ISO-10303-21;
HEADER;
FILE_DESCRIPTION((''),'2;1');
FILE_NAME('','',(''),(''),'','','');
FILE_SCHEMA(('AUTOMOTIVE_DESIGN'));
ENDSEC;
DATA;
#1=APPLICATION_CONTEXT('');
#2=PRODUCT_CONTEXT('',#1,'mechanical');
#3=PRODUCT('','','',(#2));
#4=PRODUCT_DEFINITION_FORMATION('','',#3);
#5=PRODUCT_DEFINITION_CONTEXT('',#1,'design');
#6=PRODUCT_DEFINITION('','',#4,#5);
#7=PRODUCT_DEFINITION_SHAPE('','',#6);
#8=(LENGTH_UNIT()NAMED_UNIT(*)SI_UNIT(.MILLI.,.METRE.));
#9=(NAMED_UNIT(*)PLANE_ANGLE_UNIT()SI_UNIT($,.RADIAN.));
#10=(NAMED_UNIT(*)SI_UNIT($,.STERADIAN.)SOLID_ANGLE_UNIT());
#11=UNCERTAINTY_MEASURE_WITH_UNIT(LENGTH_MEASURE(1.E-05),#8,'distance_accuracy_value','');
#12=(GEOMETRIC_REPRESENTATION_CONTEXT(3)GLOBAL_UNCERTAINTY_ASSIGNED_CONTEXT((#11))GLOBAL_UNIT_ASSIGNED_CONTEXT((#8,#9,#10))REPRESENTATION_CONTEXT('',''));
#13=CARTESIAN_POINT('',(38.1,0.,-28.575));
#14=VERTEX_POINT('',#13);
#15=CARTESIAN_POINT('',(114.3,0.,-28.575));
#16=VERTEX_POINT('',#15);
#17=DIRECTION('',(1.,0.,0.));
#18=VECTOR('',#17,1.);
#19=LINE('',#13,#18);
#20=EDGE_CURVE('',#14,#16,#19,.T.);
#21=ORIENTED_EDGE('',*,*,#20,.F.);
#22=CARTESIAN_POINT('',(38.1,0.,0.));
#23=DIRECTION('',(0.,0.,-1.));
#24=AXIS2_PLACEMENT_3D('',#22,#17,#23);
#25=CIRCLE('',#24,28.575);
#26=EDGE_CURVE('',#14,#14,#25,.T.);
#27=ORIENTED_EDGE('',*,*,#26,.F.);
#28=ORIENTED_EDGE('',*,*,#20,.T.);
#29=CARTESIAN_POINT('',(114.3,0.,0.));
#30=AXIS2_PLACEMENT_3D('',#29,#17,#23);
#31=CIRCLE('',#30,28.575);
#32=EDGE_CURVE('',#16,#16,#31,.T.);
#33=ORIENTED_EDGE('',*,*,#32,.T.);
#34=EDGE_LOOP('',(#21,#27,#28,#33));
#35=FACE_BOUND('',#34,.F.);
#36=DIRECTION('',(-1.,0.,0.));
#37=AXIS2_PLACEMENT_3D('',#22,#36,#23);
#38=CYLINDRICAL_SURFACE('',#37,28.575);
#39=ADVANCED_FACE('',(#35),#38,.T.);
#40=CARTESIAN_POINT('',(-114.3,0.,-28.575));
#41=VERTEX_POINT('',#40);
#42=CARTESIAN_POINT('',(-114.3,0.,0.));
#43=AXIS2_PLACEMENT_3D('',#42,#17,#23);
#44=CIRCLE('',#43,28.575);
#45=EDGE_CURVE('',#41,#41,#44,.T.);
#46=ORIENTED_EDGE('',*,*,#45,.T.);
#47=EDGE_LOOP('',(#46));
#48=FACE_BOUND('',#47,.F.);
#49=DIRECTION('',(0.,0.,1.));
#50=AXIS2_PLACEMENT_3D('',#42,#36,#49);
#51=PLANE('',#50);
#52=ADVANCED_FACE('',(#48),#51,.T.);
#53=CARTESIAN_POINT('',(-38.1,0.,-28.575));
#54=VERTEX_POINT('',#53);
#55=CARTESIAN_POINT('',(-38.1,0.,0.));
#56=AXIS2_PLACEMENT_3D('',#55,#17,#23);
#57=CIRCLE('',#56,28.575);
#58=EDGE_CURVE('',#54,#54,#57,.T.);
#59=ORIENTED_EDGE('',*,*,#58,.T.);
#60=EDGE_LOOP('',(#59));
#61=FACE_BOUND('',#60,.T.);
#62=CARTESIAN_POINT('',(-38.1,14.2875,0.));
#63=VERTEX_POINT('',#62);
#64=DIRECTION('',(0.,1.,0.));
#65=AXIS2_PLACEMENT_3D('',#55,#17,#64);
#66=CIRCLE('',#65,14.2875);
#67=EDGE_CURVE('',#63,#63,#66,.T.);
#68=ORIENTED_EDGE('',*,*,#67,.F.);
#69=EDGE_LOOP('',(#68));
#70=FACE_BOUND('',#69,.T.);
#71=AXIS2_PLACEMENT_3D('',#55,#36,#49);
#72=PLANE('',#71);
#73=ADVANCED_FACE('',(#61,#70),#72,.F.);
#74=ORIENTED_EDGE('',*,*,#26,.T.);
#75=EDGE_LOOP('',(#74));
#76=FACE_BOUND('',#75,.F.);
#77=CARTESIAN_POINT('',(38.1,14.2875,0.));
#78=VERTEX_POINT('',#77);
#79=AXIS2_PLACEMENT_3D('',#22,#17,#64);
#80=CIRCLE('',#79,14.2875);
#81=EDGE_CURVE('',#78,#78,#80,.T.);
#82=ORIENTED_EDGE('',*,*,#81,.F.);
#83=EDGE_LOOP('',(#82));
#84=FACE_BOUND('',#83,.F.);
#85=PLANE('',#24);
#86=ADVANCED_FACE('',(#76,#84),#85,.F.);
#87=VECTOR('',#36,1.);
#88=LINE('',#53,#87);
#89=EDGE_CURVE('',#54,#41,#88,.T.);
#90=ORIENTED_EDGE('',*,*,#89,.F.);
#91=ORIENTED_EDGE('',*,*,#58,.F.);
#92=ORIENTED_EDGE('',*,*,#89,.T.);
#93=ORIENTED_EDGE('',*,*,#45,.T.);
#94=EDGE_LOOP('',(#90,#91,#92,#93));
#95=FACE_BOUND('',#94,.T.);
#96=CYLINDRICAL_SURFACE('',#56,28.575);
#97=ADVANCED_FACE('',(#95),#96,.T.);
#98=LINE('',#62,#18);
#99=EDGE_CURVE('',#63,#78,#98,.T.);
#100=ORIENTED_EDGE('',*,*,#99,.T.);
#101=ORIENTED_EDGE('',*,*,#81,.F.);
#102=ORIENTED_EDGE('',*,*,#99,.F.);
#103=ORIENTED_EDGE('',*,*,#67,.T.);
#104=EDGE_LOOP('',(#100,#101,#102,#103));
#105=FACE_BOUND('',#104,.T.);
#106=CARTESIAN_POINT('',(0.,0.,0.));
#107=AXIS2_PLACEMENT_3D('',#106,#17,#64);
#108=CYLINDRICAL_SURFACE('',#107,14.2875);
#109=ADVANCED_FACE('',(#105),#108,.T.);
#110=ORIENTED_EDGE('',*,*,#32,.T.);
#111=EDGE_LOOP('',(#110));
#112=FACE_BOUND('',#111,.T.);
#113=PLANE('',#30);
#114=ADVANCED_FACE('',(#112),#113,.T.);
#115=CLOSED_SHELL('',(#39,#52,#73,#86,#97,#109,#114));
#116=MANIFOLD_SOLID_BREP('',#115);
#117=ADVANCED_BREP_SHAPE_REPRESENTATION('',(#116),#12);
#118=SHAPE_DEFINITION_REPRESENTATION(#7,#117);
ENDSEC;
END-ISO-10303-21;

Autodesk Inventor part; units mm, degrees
ref_plane "YZ Plane" through (0, 0, 0) normal (1, 0, 0) x (0, 1, 0)
ref_plane "XZ Plane" through (0, 0, 0) normal (0, 1, 0) x (-1, 0, 0)
ref_plane "XY Plane" through (0, 0, 0) normal (0, 0, 1) x (1, 0, 0)
sketch "Sketch2" plane through (0, 0, 0) normal (1, 0, 0) x (0, 1, 0)
  circle A0 centre (0, 0) radius 14.2875
  dimension "d0" = 28.575
extrude "Extrusion1" add sketch "Sketch2" along normal mid plane 76.2
sketch "Sketch3" plane through (38.1, 0, 0) normal (1, 0, 0) x (0, 0, -1)
  circle A0 centre (0, 0) radius 14.2875 projected
  circle A1 centre (0, 0) radius 28.575
  dimension "d3" = 57.15
extrude "Extrusion2" add sketch "Sketch3" along normal blind 76.2 contours A0 | A1
mirror "Mirror1" about plane through (0, 0, 0) normal (1, 0, 0) of "Extrusion2"
properties part number "Roller"
